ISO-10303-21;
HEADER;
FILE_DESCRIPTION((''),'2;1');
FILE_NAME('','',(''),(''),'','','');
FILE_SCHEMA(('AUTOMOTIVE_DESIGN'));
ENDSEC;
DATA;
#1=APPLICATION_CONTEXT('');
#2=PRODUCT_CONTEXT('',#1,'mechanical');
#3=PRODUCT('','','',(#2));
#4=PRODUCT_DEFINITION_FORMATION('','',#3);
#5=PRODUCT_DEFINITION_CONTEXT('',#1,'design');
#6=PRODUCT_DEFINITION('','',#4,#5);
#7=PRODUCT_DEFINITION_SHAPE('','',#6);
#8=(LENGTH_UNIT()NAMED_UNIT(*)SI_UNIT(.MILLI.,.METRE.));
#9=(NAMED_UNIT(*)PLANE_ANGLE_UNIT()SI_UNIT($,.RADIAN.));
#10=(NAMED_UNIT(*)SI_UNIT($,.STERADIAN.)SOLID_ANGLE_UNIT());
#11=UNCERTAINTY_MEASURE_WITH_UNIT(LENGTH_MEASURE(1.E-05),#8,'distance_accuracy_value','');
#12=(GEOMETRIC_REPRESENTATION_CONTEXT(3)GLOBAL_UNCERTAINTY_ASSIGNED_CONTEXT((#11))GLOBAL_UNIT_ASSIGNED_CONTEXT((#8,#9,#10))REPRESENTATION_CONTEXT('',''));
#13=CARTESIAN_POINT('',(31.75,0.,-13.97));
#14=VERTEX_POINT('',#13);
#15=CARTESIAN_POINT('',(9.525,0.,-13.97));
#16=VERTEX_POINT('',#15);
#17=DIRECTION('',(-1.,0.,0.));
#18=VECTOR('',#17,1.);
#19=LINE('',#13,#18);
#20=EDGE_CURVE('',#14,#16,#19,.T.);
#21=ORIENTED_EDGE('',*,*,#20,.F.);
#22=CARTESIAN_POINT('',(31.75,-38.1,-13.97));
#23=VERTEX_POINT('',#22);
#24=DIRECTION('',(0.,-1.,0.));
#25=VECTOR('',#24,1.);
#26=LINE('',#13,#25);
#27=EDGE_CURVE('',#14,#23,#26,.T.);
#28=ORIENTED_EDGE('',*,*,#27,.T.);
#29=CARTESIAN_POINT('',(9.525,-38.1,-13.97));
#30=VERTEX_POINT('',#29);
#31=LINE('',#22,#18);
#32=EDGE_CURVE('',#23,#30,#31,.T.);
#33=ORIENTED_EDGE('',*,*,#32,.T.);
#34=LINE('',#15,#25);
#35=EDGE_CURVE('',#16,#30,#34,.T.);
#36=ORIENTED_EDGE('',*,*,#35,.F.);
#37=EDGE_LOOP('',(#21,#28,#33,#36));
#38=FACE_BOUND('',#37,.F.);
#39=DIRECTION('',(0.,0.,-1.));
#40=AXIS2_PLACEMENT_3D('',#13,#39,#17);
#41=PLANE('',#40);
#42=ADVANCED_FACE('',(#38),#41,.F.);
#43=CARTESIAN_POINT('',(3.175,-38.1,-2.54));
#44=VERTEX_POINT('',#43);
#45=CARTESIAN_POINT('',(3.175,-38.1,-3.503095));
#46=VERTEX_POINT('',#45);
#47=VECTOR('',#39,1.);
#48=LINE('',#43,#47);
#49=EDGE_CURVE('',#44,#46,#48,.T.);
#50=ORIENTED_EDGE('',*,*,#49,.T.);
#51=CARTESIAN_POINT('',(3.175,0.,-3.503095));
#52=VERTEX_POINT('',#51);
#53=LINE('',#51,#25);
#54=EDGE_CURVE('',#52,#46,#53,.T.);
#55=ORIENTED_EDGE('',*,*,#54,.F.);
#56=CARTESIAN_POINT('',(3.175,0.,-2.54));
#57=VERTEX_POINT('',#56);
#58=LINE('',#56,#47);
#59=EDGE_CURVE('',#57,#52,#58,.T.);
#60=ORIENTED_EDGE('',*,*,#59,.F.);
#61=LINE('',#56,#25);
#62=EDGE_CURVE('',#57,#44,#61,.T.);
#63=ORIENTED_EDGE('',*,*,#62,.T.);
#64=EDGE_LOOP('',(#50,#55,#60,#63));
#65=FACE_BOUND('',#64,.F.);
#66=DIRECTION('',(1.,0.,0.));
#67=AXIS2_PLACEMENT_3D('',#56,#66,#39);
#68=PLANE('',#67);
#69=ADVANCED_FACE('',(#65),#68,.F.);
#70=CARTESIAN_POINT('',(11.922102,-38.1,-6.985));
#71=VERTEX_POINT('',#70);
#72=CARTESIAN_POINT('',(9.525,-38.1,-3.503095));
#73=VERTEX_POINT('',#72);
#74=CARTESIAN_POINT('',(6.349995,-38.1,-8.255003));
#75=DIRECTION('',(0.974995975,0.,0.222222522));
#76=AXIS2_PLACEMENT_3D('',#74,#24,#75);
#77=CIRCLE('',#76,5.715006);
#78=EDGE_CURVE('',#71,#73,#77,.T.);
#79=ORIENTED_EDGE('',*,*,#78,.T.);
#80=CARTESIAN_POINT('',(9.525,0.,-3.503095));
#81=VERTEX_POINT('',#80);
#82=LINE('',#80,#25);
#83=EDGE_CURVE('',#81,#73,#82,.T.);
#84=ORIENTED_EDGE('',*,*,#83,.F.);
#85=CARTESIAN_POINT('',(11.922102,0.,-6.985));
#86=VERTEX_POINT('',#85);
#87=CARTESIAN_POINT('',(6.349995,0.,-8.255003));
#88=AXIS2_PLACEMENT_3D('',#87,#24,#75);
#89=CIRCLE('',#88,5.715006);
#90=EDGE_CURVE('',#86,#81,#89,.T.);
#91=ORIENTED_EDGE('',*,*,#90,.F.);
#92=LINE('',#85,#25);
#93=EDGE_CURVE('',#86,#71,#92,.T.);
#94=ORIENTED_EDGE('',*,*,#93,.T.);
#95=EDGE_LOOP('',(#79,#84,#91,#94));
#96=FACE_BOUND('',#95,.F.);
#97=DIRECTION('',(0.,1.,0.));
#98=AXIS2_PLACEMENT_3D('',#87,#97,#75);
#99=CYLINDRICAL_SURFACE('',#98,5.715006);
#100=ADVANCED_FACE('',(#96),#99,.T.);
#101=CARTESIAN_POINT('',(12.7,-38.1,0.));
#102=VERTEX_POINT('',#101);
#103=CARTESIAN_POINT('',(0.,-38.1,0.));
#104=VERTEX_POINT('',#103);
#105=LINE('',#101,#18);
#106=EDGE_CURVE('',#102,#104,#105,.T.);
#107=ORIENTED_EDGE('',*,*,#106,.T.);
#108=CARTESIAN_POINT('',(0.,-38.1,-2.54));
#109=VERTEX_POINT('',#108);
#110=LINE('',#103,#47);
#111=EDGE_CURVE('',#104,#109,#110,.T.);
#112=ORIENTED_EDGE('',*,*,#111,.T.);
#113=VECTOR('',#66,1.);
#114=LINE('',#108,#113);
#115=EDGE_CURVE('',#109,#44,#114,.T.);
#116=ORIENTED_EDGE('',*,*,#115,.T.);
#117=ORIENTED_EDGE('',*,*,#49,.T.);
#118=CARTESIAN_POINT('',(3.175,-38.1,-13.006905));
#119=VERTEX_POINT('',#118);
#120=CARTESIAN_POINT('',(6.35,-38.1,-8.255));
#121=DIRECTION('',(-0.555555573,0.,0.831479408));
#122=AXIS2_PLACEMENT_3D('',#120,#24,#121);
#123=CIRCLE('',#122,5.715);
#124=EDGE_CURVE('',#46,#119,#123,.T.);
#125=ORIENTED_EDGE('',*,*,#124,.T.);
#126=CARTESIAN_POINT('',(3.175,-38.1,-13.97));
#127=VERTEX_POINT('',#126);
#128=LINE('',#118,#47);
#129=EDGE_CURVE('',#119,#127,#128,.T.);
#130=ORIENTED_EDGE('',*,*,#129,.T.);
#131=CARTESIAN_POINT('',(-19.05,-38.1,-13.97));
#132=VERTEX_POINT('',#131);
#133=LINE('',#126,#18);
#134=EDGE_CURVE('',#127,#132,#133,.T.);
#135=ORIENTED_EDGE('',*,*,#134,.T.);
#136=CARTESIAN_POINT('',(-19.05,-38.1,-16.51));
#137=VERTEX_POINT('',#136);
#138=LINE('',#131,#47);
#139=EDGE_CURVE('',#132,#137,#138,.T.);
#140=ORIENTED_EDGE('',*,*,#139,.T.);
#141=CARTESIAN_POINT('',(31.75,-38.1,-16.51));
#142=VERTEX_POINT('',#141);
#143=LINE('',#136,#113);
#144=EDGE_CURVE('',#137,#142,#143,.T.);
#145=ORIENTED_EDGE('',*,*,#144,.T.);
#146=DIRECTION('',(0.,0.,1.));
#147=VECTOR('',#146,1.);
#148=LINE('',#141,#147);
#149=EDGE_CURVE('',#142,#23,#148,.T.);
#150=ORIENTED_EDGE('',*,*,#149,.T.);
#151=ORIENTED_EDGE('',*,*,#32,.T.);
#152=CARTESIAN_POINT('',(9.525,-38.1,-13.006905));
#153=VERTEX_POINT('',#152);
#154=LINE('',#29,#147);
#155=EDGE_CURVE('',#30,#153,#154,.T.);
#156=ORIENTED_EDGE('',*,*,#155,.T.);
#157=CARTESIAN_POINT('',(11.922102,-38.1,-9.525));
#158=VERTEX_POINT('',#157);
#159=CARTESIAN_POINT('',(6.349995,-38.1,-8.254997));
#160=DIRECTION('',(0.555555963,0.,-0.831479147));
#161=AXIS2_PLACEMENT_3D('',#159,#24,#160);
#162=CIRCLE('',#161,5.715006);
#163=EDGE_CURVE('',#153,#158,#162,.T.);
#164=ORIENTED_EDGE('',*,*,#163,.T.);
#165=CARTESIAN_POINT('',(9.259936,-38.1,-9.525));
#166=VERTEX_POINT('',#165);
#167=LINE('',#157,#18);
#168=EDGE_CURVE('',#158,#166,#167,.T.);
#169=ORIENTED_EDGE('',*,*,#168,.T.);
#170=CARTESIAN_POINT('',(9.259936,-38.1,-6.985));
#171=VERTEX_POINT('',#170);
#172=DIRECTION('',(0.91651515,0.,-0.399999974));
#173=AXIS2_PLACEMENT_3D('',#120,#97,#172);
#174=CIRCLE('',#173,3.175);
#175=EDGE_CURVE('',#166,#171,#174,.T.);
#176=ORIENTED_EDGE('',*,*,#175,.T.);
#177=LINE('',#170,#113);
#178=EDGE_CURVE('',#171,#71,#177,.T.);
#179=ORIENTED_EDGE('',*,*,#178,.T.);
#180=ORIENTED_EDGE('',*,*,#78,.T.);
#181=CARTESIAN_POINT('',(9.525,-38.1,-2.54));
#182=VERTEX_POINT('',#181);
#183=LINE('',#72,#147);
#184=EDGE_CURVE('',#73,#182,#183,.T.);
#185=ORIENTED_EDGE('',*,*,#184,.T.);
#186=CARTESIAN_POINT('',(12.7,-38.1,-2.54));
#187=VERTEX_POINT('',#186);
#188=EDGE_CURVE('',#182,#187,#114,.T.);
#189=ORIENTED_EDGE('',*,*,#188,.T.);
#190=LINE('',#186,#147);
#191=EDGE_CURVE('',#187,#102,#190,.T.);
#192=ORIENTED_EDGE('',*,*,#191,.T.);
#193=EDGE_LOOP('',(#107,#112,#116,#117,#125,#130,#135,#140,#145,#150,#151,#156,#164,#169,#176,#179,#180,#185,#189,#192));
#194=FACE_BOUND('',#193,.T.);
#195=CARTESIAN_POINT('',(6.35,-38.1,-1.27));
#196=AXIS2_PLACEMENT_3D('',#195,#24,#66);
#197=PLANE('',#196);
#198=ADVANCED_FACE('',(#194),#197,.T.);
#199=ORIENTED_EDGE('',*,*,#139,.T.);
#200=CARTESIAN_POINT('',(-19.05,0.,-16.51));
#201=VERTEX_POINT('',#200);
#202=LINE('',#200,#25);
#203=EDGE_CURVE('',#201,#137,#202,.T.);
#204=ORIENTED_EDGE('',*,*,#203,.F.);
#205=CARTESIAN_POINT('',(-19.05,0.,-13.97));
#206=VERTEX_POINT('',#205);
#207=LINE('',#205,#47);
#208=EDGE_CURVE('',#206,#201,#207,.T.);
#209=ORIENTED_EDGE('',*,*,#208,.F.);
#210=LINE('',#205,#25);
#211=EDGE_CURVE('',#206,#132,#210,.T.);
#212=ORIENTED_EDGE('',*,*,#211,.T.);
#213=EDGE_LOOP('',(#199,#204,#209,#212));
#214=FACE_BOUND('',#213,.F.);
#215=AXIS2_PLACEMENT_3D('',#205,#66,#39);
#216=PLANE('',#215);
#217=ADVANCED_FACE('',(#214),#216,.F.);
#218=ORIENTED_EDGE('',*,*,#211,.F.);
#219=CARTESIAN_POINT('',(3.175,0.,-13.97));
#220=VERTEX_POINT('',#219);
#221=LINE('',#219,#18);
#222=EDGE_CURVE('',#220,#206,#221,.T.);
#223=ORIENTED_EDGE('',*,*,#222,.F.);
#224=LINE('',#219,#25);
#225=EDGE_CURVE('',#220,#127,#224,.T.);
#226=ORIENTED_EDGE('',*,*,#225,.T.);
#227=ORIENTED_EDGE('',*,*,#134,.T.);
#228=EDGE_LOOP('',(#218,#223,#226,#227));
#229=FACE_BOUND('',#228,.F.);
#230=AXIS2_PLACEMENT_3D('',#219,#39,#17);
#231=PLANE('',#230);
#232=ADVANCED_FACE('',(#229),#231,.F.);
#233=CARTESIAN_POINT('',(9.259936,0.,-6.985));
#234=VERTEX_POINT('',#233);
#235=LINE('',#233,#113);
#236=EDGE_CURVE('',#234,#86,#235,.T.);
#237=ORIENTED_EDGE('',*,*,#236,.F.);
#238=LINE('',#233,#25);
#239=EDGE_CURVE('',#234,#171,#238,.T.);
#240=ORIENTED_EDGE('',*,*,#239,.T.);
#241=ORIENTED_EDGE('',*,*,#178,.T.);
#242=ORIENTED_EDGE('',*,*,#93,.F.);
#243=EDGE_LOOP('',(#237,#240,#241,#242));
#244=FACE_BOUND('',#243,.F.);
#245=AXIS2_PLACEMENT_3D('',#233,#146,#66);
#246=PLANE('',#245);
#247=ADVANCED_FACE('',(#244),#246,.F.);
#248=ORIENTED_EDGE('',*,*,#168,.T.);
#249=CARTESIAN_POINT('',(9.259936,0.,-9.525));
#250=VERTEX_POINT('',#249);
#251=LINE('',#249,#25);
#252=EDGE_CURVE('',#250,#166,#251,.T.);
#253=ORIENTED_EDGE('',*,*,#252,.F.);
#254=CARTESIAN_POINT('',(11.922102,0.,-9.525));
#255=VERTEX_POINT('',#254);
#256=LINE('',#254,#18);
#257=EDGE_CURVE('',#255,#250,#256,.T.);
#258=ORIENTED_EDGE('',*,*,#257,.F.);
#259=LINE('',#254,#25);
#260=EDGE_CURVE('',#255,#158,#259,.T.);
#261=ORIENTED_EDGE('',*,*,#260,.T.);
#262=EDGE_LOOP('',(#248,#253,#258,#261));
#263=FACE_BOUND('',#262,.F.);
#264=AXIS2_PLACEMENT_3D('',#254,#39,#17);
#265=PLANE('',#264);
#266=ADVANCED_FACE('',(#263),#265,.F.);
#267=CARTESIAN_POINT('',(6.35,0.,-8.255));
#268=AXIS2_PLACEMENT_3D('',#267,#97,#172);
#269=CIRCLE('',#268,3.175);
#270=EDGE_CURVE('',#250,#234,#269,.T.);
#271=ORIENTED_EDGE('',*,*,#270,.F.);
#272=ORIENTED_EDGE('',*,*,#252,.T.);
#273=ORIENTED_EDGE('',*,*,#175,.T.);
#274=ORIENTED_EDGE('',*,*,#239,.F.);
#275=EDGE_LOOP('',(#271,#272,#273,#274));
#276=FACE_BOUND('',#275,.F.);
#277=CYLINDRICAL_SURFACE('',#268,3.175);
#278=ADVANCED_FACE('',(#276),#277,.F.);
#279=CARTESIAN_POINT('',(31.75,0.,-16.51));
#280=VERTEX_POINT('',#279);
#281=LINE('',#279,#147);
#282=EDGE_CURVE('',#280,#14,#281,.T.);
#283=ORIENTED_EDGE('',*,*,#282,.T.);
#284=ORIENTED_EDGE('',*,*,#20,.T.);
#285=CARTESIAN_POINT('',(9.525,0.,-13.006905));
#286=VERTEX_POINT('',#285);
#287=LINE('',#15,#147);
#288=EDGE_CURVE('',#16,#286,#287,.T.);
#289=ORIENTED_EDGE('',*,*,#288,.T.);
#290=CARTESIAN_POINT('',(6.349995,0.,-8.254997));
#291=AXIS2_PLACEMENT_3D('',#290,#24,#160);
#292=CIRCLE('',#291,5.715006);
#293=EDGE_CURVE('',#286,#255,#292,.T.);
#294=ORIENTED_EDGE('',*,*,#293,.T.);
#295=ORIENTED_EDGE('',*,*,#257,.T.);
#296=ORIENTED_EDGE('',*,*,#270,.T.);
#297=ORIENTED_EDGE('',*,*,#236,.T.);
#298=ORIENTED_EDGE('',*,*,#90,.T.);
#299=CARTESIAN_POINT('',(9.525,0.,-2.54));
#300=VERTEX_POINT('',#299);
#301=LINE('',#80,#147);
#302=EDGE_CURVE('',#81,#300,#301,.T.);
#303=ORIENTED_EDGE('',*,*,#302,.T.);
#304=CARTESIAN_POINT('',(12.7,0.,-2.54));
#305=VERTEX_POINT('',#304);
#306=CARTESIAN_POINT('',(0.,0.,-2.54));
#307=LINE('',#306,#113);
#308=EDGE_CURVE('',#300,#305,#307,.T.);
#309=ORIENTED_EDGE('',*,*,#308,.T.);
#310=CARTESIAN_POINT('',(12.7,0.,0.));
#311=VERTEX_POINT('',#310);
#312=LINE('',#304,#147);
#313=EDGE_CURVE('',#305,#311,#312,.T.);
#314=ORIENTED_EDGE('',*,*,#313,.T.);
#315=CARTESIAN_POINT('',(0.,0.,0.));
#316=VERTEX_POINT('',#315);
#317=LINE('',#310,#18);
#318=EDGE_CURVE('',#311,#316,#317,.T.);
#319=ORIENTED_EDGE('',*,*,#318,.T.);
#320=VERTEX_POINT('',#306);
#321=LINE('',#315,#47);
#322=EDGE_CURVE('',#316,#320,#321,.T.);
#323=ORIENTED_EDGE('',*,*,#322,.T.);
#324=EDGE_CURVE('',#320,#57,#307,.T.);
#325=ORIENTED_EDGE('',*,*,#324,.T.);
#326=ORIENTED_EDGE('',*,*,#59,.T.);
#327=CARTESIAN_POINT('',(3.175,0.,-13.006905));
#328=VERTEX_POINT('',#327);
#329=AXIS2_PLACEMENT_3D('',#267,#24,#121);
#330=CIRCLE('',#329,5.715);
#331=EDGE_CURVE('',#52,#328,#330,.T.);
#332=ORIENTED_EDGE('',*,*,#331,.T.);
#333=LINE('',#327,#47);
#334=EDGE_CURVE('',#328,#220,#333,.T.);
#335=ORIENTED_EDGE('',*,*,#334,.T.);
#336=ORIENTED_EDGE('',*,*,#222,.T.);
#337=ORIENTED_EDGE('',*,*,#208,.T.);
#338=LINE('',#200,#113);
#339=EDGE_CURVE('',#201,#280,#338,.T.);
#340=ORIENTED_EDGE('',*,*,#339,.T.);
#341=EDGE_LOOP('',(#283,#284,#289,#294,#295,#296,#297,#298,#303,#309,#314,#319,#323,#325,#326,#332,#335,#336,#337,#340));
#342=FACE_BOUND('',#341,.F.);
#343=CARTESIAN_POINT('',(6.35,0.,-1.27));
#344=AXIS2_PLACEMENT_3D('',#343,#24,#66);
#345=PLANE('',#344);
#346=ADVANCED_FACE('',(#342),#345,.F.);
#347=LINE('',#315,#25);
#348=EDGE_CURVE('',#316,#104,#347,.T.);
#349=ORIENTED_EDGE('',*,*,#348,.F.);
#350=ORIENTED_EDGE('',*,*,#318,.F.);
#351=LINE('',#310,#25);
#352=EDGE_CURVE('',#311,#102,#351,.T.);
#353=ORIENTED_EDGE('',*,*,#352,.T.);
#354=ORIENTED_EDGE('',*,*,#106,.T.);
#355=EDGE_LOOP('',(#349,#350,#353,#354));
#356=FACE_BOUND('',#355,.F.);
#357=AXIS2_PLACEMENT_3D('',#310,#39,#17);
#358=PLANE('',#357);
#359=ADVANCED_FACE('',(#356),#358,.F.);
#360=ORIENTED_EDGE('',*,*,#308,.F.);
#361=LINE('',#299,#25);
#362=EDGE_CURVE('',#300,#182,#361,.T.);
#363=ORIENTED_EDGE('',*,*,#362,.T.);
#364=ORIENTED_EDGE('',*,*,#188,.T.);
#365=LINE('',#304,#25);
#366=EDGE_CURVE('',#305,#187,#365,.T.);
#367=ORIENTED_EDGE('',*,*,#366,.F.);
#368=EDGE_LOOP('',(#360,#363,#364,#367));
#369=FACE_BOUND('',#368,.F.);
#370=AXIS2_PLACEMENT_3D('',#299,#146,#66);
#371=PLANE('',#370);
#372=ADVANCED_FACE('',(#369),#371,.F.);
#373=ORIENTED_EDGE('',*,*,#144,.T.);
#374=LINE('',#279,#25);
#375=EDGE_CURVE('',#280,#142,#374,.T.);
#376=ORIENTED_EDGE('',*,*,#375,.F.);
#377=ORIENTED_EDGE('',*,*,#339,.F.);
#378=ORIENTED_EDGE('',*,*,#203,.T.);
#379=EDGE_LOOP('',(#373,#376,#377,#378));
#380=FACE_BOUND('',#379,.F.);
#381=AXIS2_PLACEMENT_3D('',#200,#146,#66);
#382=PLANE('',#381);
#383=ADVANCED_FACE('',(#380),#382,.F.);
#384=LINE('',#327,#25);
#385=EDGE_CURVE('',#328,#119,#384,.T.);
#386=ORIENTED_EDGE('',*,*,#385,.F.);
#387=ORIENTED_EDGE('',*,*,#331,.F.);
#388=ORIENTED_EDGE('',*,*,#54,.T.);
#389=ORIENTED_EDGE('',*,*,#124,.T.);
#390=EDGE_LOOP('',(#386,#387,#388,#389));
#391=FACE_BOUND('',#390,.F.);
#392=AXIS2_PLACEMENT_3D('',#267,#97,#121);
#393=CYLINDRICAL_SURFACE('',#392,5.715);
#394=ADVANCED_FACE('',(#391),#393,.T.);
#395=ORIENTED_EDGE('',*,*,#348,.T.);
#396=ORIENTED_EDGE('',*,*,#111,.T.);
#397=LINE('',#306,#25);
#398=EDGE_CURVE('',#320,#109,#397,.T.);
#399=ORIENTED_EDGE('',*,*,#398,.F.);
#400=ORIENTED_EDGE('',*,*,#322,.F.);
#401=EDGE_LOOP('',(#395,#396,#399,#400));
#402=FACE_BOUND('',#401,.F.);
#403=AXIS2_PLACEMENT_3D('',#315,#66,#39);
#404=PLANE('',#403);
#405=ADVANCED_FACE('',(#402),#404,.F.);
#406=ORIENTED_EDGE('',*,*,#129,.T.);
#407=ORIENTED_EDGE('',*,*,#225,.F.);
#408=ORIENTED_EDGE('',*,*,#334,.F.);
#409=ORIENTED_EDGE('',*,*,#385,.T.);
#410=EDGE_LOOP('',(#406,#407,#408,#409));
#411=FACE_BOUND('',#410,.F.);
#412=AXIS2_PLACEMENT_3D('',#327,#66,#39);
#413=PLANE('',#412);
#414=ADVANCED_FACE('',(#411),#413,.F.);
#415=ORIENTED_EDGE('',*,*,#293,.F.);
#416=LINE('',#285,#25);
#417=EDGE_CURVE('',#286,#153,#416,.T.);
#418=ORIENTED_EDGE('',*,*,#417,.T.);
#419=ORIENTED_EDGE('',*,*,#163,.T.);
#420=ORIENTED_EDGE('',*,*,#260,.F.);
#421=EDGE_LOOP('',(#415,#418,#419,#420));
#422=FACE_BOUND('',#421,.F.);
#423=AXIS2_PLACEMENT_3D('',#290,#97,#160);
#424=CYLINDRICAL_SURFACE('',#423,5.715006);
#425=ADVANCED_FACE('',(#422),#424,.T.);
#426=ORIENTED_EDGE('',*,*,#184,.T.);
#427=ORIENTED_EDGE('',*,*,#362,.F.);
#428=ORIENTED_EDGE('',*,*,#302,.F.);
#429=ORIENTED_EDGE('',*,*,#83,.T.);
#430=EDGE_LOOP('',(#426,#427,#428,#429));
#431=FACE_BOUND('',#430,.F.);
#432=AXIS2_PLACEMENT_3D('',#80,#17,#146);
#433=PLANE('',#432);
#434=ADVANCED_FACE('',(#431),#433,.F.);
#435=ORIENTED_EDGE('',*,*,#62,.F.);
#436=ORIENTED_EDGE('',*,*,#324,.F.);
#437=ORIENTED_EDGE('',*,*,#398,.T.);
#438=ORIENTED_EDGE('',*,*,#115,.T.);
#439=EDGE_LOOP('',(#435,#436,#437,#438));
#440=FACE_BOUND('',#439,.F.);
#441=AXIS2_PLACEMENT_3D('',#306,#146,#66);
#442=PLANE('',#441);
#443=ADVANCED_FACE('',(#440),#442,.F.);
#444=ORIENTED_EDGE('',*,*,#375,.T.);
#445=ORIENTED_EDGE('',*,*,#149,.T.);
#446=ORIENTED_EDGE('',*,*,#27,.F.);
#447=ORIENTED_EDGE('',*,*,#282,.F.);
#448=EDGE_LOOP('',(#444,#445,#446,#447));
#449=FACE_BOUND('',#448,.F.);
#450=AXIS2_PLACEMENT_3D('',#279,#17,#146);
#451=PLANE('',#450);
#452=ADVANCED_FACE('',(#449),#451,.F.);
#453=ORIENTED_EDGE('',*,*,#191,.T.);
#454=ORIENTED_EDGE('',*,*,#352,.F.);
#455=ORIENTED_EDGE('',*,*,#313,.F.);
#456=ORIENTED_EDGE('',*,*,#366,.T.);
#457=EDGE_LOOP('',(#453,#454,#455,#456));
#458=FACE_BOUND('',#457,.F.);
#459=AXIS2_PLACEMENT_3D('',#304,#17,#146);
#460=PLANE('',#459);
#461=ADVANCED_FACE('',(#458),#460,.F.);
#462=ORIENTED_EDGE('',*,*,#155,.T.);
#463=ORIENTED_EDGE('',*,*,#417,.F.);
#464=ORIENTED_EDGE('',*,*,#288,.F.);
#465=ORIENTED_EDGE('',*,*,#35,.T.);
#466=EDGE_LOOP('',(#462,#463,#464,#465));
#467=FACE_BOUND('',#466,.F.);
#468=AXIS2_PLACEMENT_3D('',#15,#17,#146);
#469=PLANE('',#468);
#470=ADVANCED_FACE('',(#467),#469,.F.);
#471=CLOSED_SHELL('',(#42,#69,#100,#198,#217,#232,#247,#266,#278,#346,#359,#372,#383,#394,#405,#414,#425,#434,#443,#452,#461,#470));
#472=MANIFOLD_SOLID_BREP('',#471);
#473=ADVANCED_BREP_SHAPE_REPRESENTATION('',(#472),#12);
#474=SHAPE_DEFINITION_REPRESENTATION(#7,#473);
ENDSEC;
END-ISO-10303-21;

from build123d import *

# Parameters (mm, degrees)
F1_DEPTH = 38.1


with BuildPart() as f1:
    # F0 (on Front) → F1 (new body)
    with BuildSketch(Plane.XZ):
        Polygon((12.7, 0), (0, 0), (0, -2.54), (3.175, -2.54), (6.35, -2.54), (9.525, -2.54), (12.7, -2.54), align=None)
        with BuildLine():
            Line((6.35, -2.54), (3.175, -2.54))
            Line((3.175, -2.54), (3.175, -3.503095))
            ThreePointArc((3.175, -3.503095), (4.691071, -2.786071), (6.35, -2.54))
        make_face()
        with BuildLine():
            ThreePointArc((9.525, -3.503095), (8.008929, -2.786071), (6.35, -2.54))
            ThreePointArc((6.35, -2.54), (4.691071, -2.786071), (3.175, -3.503095))
            Line((3.175, -3.503095), (9.525, -3.503095))
        make_face()
        with BuildLine():
            Line((9.525, -3.503095), (9.525, -2.54))
            Line((9.525, -2.54), (6.35, -2.54))
            ThreePointArc((6.35, -2.54), (8.008929, -2.786071), (9.525, -3.503095))
        make_face()
        with BuildLine():
            Line((9.525, -3.503095), (3.175, -3.503095))
            ThreePointArc((3.175, -3.503095), (0.635, -8.255), (3.175, -13.006905))
            Line((3.175, -13.006905), (9.525, -13.006905))
            ThreePointArc((9.525, -13.006905), (11.05732, -11.495734), (11.922102, -9.525))
            Line((11.922102, -9.525), (9.259936, -9.525))
            ThreePointArc((9.259936, -9.525), (3.175, -8.255), (9.259936, -6.985))
            Line((9.259936, -6.985), (11.922102, -6.985))
            ThreePointArc((11.922102, -6.985), (11.05732, -5.014266), (9.525, -3.503095))
        make_face()
        with BuildLine():
            Line((9.525, -13.006905), (3.175, -13.006905))
            ThreePointArc((3.175, -13.006905), (4.691071, -13.723929), (6.35, -13.97))
            ThreePointArc((6.35, -13.97), (8.008929, -13.723929), (9.525, -13.006905))
        make_face()
        with BuildLine():
            ThreePointArc((9.525, -13.006905), (8.008929, -13.723929), (6.35, -13.97))
            Line((6.35, -13.97), (9.525, -13.97))
            Line((9.525, -13.97), (9.525, -13.006905))
        make_face()
        with BuildLine():
            ThreePointArc((6.35, -13.97), (4.691071, -13.723929), (3.175, -13.006905))
            Line((3.175, -13.006905), (3.175, -13.97))
            Line((3.175, -13.97), (6.35, -13.97))
        make_face()
        Polygon((9.525, -13.97), (6.35, -13.97), (3.175, -13.97), (-19.05, -13.97), (-19.05, -16.51), (31.75, -16.51), (31.75, -13.97), align=None)
    extrude(amount=F1_DEPTH)


solid = f1.part
